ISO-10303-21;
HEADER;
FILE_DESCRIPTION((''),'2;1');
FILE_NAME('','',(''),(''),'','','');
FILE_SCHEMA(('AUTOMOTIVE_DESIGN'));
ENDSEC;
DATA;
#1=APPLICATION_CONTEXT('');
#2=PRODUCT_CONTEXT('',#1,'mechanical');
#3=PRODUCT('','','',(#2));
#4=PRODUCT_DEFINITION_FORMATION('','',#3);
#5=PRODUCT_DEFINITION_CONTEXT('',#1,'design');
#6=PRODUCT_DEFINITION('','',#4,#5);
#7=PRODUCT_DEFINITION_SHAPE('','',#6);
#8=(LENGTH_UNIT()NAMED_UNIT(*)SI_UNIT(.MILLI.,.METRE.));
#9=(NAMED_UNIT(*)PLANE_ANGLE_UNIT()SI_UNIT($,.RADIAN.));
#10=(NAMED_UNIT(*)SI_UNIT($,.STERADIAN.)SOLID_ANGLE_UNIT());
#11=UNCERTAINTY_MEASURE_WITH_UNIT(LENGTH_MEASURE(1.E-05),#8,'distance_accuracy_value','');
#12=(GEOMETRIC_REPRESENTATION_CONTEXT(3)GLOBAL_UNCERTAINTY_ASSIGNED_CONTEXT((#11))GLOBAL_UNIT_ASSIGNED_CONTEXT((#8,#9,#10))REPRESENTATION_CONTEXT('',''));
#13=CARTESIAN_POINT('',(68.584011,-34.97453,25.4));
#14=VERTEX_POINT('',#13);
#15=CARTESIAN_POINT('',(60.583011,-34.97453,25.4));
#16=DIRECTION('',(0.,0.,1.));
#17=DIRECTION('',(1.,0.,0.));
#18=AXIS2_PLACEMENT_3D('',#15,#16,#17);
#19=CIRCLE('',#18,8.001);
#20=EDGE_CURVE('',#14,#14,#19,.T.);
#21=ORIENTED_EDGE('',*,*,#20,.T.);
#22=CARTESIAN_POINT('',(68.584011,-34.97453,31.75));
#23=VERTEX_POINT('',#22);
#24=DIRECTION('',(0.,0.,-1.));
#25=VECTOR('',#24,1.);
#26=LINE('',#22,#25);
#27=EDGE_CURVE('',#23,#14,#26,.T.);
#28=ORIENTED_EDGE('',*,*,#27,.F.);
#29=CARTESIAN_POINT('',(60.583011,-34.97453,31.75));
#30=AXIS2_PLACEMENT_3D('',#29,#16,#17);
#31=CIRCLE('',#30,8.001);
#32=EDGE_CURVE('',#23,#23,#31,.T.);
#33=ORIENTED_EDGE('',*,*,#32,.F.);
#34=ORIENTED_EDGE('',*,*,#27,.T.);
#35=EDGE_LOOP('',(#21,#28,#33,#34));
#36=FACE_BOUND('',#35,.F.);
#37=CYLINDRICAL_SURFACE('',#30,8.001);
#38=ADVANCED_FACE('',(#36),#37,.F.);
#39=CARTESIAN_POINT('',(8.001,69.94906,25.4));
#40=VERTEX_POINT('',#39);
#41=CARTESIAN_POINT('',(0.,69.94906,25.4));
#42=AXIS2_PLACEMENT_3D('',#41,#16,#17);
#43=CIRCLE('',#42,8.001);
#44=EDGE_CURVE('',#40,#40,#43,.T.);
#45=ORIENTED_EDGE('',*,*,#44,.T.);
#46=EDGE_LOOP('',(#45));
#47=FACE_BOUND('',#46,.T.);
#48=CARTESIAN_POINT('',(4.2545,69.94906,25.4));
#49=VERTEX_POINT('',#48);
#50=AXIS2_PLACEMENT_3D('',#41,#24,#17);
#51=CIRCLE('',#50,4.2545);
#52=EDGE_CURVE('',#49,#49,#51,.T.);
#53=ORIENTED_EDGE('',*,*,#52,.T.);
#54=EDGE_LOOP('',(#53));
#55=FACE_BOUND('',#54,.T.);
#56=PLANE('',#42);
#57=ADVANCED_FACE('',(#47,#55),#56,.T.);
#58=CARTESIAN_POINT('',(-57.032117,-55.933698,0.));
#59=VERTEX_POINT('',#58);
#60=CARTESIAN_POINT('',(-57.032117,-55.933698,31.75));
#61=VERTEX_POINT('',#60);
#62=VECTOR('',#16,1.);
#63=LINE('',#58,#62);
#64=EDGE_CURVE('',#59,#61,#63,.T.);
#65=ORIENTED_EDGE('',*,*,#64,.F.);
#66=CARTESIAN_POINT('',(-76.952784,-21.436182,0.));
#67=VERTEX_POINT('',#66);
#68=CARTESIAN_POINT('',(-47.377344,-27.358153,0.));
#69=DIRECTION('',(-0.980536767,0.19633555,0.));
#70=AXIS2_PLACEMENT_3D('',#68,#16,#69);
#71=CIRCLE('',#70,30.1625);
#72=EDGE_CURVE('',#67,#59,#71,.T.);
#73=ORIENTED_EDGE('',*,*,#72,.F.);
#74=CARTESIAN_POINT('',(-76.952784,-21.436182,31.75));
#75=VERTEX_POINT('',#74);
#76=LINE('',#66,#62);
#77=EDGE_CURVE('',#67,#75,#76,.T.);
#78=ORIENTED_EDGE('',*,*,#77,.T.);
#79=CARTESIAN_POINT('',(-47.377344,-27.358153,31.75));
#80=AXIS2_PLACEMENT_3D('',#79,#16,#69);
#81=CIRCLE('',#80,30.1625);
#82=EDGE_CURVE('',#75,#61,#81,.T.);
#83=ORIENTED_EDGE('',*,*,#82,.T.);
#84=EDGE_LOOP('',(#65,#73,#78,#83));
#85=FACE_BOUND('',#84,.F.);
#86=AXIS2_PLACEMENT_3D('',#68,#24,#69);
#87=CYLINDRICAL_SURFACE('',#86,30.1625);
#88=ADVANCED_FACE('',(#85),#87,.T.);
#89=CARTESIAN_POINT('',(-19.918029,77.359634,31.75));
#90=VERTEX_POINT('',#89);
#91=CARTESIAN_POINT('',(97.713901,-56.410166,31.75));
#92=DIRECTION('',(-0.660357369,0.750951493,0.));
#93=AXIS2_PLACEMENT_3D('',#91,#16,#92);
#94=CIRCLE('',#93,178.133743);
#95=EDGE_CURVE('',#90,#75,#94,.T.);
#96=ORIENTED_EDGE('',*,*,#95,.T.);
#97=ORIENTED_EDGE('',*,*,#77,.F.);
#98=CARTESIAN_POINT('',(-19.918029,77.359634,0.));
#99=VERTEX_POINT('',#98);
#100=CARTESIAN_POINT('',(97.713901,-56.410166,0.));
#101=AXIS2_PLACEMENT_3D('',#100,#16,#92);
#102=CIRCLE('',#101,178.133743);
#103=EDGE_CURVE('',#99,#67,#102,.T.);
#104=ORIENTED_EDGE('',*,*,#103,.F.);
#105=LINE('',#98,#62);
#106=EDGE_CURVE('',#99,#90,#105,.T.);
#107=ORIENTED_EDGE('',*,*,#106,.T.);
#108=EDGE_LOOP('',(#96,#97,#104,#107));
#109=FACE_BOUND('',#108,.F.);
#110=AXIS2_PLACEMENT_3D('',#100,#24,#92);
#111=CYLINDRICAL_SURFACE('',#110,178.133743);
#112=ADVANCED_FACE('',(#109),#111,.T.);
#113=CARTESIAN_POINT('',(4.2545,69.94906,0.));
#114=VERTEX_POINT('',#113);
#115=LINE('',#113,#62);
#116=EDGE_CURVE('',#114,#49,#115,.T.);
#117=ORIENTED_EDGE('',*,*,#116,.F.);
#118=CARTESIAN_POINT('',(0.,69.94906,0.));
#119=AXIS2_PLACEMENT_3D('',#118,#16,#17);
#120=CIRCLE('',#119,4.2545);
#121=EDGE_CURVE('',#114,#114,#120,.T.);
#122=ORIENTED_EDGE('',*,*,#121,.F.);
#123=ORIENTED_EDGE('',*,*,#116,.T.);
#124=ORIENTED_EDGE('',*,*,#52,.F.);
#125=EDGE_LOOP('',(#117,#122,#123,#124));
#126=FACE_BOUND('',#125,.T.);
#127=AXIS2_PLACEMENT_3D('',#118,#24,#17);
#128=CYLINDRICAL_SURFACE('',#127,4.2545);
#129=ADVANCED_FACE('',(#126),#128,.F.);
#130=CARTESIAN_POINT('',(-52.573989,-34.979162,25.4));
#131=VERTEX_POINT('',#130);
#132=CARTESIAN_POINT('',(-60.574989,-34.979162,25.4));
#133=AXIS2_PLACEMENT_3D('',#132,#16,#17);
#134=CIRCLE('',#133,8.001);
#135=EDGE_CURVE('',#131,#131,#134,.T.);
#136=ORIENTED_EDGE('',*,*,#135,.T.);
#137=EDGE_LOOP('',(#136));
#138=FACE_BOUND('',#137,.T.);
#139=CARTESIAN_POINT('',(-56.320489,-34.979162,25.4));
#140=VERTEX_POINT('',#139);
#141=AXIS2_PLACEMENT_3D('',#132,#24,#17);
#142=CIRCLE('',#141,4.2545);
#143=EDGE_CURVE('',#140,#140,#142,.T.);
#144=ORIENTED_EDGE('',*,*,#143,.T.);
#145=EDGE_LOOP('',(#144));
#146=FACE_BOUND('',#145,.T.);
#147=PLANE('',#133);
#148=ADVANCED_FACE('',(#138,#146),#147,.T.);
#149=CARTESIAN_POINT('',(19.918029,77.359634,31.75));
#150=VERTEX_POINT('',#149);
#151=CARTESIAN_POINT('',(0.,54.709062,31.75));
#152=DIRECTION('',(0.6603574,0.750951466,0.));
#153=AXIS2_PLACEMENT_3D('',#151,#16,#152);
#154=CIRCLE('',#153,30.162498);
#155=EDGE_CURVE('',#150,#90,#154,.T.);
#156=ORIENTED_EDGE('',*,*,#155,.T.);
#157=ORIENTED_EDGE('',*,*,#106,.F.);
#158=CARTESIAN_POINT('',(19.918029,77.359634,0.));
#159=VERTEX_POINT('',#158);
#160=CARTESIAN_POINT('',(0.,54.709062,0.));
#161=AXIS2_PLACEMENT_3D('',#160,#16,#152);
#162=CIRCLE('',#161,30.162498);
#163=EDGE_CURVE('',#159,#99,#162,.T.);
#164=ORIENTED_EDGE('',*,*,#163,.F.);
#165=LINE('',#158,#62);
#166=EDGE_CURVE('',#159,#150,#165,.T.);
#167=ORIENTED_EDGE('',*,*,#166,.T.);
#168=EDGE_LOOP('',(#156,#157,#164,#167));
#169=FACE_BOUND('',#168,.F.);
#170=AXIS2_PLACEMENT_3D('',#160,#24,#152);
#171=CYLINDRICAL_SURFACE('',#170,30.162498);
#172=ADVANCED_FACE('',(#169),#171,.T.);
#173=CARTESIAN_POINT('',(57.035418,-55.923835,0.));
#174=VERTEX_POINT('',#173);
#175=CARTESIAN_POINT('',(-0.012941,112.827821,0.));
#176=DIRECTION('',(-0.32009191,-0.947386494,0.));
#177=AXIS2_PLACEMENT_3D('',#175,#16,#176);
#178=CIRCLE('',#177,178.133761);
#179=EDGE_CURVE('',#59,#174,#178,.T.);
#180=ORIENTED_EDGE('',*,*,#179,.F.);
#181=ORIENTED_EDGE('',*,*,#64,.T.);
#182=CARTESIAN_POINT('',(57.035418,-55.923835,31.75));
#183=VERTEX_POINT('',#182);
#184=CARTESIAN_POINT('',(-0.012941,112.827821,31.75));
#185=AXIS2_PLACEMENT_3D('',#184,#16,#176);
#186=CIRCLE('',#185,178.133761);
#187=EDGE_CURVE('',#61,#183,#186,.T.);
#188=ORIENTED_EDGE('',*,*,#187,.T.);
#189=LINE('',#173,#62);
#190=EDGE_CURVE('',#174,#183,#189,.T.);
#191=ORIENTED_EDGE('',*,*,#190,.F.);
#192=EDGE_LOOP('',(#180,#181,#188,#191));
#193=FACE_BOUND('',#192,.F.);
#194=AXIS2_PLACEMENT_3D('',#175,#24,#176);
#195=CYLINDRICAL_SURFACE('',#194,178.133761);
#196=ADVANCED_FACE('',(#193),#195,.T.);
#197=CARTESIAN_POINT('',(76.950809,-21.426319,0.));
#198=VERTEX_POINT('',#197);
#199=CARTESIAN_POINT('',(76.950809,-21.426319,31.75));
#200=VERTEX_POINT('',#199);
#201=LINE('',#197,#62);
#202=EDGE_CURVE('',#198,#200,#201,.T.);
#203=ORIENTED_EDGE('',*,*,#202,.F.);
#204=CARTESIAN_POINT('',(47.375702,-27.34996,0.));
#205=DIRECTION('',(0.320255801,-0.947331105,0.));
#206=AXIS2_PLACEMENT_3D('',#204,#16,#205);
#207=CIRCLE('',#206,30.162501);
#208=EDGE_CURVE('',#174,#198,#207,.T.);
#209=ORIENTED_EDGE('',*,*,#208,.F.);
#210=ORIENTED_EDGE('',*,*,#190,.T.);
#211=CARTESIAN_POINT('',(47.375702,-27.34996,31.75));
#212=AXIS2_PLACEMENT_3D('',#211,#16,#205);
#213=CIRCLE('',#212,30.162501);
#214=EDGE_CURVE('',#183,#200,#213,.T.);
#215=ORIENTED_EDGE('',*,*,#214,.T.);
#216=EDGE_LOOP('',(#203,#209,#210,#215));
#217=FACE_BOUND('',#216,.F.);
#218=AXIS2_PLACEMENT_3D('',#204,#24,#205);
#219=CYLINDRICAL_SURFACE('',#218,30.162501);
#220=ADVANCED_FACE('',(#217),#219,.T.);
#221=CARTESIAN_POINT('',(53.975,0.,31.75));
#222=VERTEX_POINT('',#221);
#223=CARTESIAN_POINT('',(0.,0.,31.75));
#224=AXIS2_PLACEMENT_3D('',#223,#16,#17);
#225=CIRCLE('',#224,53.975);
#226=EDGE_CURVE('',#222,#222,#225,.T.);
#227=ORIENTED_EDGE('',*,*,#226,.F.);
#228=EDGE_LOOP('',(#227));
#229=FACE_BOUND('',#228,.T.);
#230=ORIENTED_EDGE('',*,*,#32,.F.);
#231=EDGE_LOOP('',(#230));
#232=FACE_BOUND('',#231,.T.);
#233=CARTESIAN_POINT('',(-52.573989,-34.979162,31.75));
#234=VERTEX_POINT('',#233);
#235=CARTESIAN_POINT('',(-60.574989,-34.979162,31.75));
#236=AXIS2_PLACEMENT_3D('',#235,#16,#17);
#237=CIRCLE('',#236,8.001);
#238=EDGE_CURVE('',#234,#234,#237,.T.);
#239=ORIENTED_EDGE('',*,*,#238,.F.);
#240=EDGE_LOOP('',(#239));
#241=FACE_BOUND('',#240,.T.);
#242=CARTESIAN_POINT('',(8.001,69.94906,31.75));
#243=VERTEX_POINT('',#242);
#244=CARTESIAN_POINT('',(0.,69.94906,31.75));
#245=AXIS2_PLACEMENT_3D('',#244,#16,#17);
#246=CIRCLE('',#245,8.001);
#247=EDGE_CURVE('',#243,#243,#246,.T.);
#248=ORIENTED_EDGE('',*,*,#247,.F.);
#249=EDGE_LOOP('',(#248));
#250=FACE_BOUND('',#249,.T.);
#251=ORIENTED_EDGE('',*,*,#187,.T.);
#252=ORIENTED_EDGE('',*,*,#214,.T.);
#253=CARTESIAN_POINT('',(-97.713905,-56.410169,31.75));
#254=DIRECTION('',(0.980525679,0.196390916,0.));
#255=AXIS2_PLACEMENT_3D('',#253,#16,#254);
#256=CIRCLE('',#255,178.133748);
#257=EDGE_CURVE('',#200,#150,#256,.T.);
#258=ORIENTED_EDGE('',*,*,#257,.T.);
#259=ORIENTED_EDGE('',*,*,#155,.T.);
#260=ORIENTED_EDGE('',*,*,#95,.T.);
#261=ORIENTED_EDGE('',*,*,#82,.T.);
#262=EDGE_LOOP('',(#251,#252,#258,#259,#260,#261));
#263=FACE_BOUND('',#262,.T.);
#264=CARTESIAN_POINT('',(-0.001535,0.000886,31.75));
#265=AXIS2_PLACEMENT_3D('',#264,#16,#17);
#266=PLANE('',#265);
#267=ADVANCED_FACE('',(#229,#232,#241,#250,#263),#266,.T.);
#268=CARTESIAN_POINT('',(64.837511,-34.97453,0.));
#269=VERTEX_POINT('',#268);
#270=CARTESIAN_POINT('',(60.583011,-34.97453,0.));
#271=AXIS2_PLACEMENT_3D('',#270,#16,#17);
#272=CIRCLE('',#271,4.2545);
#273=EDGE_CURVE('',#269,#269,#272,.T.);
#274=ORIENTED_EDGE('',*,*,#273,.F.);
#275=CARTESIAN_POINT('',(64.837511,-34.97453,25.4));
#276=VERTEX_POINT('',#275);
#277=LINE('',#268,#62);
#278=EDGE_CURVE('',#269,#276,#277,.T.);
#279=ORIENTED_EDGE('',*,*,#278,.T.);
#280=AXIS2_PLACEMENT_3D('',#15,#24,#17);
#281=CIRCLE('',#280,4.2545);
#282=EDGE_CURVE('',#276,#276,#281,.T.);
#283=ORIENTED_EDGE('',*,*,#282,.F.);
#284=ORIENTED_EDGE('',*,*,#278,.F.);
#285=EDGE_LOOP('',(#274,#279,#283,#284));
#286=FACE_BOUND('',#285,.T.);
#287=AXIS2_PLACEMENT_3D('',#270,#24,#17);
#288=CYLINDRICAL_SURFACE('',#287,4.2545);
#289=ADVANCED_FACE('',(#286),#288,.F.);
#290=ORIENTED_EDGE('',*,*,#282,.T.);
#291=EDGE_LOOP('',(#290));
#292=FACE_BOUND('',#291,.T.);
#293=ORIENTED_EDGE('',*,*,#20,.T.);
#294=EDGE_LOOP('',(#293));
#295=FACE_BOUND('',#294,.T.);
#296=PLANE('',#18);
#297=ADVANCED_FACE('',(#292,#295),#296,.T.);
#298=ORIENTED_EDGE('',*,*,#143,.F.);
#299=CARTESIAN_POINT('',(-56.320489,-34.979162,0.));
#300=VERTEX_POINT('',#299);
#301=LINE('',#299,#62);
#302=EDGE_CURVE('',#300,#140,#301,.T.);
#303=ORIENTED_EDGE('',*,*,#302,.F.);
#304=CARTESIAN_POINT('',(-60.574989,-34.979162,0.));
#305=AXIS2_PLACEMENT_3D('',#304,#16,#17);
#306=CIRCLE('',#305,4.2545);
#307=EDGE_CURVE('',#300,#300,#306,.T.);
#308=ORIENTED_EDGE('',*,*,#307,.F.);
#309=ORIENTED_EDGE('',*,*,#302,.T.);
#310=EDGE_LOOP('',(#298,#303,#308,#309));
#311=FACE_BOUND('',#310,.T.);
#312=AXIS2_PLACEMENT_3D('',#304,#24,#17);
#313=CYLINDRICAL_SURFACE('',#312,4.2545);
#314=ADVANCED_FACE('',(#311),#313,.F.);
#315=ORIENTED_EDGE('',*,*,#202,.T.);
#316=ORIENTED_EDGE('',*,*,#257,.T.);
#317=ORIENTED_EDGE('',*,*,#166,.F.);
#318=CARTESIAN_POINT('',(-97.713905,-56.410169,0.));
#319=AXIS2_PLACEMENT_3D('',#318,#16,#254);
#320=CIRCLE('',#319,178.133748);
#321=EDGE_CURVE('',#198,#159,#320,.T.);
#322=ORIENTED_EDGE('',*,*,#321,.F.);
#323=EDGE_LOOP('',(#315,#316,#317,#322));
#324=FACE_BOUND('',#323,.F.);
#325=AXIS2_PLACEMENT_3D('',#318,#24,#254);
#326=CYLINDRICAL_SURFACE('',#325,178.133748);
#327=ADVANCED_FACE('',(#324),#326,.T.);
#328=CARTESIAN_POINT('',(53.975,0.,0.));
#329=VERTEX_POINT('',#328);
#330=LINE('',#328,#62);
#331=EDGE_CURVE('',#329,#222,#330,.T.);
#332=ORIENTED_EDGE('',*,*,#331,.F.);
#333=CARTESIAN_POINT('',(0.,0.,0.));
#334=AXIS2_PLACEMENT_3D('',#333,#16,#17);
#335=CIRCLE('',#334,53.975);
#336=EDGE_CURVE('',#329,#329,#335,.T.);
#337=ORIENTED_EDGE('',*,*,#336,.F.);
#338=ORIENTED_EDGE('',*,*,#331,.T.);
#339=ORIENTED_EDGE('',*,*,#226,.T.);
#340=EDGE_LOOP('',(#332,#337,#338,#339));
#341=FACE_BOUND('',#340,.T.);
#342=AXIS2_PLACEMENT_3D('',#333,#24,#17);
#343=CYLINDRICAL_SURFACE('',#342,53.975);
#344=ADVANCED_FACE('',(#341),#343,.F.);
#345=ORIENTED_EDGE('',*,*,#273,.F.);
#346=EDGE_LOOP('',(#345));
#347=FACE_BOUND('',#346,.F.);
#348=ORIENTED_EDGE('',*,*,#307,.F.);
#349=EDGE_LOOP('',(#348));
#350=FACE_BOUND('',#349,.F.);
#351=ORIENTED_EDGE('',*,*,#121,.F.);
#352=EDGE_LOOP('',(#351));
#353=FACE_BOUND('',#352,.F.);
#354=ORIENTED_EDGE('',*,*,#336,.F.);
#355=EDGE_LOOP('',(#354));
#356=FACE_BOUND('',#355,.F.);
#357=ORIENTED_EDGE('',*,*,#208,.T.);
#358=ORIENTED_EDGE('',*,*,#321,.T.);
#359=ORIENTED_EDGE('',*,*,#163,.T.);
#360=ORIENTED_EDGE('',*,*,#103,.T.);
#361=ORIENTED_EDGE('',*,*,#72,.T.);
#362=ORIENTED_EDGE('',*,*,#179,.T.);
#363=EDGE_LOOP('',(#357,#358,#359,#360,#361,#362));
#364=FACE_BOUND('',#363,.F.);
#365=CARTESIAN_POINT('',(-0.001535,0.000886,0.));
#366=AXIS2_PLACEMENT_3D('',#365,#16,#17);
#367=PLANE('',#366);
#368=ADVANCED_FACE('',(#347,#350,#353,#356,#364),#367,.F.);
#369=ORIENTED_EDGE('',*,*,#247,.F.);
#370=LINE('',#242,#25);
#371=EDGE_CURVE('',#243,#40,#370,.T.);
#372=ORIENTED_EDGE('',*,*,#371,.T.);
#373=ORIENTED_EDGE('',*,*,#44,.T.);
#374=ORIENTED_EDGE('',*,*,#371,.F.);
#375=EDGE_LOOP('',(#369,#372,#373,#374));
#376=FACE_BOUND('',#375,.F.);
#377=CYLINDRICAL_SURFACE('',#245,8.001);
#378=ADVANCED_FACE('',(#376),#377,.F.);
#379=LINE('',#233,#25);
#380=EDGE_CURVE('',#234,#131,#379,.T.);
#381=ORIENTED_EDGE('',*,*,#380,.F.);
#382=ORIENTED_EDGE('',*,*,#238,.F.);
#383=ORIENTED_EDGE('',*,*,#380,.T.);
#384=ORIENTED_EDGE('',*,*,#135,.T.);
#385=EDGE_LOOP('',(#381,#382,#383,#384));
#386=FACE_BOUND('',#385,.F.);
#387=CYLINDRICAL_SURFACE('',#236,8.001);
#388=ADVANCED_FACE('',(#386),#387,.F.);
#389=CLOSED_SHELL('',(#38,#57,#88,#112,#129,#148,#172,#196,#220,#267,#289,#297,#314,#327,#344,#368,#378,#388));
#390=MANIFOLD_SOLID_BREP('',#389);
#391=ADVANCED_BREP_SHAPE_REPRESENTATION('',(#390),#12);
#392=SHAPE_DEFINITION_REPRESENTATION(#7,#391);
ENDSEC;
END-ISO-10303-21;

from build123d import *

# Parameters (mm, degrees)
F0_R     = 4.2545
F0_R_2   = 53.975
F1_DEPTH = 31.75
F2_R     = 8.001
F3_DEPTH = 6.35


with BuildPart() as f1:
    # F0 (on Top) → F1 (new body)
    with BuildSketch(Plane.XY):
        with BuildLine():
            ThreePointArc((76.950809, -21.426319), (56.555336, 32.655163), (19.918029, 77.359634))
            ThreePointArc((19.918029, 77.359634), (0, 84.87156), (-19.918029, 77.359634))
            ThreePointArc((-19.918029, 77.359634), (-56.557851, 32.650807), (-76.952784, -21.436182))
            ThreePointArc((-76.952784, -21.436182), (-73.497682, -42.4414), (-57.032117, -55.933698))
            ThreePointArc((-57.032117, -55.933698), (0.002461, -65.305939), (57.035418, -55.923835))
            ThreePointArc((57.035418, -55.923835), (73.497771, -42.430211), (76.950809, -21.426319))
        make_face()
        with Locations((-60.574989, -34.979162)):
            Circle(F0_R, mode=Mode.SUBTRACT)
        with Locations((60.583011, -34.97453)):
            Circle(F0_R, mode=Mode.SUBTRACT)
        Circle(F0_R_2, mode=Mode.SUBTRACT)
        with Locations((0, 69.94906)):
            Circle(F0_R, mode=Mode.SUBTRACT)
    extrude(amount=F1_DEPTH)

    # F2 (on face) → F3 (cut)
    with BuildSketch(Plane.XY.offset(31.75)):
        with Locations((0, 69.94906)):
            Circle(F2_R)
        with Locations((-60.574989, -34.979162)):
            Circle(F2_R)
        with Locations((60.583011, -34.97453)):
            Circle(F2_R)
    extrude(amount=-F3_DEPTH, mode=Mode.SUBTRACT)


solid = f1.part
